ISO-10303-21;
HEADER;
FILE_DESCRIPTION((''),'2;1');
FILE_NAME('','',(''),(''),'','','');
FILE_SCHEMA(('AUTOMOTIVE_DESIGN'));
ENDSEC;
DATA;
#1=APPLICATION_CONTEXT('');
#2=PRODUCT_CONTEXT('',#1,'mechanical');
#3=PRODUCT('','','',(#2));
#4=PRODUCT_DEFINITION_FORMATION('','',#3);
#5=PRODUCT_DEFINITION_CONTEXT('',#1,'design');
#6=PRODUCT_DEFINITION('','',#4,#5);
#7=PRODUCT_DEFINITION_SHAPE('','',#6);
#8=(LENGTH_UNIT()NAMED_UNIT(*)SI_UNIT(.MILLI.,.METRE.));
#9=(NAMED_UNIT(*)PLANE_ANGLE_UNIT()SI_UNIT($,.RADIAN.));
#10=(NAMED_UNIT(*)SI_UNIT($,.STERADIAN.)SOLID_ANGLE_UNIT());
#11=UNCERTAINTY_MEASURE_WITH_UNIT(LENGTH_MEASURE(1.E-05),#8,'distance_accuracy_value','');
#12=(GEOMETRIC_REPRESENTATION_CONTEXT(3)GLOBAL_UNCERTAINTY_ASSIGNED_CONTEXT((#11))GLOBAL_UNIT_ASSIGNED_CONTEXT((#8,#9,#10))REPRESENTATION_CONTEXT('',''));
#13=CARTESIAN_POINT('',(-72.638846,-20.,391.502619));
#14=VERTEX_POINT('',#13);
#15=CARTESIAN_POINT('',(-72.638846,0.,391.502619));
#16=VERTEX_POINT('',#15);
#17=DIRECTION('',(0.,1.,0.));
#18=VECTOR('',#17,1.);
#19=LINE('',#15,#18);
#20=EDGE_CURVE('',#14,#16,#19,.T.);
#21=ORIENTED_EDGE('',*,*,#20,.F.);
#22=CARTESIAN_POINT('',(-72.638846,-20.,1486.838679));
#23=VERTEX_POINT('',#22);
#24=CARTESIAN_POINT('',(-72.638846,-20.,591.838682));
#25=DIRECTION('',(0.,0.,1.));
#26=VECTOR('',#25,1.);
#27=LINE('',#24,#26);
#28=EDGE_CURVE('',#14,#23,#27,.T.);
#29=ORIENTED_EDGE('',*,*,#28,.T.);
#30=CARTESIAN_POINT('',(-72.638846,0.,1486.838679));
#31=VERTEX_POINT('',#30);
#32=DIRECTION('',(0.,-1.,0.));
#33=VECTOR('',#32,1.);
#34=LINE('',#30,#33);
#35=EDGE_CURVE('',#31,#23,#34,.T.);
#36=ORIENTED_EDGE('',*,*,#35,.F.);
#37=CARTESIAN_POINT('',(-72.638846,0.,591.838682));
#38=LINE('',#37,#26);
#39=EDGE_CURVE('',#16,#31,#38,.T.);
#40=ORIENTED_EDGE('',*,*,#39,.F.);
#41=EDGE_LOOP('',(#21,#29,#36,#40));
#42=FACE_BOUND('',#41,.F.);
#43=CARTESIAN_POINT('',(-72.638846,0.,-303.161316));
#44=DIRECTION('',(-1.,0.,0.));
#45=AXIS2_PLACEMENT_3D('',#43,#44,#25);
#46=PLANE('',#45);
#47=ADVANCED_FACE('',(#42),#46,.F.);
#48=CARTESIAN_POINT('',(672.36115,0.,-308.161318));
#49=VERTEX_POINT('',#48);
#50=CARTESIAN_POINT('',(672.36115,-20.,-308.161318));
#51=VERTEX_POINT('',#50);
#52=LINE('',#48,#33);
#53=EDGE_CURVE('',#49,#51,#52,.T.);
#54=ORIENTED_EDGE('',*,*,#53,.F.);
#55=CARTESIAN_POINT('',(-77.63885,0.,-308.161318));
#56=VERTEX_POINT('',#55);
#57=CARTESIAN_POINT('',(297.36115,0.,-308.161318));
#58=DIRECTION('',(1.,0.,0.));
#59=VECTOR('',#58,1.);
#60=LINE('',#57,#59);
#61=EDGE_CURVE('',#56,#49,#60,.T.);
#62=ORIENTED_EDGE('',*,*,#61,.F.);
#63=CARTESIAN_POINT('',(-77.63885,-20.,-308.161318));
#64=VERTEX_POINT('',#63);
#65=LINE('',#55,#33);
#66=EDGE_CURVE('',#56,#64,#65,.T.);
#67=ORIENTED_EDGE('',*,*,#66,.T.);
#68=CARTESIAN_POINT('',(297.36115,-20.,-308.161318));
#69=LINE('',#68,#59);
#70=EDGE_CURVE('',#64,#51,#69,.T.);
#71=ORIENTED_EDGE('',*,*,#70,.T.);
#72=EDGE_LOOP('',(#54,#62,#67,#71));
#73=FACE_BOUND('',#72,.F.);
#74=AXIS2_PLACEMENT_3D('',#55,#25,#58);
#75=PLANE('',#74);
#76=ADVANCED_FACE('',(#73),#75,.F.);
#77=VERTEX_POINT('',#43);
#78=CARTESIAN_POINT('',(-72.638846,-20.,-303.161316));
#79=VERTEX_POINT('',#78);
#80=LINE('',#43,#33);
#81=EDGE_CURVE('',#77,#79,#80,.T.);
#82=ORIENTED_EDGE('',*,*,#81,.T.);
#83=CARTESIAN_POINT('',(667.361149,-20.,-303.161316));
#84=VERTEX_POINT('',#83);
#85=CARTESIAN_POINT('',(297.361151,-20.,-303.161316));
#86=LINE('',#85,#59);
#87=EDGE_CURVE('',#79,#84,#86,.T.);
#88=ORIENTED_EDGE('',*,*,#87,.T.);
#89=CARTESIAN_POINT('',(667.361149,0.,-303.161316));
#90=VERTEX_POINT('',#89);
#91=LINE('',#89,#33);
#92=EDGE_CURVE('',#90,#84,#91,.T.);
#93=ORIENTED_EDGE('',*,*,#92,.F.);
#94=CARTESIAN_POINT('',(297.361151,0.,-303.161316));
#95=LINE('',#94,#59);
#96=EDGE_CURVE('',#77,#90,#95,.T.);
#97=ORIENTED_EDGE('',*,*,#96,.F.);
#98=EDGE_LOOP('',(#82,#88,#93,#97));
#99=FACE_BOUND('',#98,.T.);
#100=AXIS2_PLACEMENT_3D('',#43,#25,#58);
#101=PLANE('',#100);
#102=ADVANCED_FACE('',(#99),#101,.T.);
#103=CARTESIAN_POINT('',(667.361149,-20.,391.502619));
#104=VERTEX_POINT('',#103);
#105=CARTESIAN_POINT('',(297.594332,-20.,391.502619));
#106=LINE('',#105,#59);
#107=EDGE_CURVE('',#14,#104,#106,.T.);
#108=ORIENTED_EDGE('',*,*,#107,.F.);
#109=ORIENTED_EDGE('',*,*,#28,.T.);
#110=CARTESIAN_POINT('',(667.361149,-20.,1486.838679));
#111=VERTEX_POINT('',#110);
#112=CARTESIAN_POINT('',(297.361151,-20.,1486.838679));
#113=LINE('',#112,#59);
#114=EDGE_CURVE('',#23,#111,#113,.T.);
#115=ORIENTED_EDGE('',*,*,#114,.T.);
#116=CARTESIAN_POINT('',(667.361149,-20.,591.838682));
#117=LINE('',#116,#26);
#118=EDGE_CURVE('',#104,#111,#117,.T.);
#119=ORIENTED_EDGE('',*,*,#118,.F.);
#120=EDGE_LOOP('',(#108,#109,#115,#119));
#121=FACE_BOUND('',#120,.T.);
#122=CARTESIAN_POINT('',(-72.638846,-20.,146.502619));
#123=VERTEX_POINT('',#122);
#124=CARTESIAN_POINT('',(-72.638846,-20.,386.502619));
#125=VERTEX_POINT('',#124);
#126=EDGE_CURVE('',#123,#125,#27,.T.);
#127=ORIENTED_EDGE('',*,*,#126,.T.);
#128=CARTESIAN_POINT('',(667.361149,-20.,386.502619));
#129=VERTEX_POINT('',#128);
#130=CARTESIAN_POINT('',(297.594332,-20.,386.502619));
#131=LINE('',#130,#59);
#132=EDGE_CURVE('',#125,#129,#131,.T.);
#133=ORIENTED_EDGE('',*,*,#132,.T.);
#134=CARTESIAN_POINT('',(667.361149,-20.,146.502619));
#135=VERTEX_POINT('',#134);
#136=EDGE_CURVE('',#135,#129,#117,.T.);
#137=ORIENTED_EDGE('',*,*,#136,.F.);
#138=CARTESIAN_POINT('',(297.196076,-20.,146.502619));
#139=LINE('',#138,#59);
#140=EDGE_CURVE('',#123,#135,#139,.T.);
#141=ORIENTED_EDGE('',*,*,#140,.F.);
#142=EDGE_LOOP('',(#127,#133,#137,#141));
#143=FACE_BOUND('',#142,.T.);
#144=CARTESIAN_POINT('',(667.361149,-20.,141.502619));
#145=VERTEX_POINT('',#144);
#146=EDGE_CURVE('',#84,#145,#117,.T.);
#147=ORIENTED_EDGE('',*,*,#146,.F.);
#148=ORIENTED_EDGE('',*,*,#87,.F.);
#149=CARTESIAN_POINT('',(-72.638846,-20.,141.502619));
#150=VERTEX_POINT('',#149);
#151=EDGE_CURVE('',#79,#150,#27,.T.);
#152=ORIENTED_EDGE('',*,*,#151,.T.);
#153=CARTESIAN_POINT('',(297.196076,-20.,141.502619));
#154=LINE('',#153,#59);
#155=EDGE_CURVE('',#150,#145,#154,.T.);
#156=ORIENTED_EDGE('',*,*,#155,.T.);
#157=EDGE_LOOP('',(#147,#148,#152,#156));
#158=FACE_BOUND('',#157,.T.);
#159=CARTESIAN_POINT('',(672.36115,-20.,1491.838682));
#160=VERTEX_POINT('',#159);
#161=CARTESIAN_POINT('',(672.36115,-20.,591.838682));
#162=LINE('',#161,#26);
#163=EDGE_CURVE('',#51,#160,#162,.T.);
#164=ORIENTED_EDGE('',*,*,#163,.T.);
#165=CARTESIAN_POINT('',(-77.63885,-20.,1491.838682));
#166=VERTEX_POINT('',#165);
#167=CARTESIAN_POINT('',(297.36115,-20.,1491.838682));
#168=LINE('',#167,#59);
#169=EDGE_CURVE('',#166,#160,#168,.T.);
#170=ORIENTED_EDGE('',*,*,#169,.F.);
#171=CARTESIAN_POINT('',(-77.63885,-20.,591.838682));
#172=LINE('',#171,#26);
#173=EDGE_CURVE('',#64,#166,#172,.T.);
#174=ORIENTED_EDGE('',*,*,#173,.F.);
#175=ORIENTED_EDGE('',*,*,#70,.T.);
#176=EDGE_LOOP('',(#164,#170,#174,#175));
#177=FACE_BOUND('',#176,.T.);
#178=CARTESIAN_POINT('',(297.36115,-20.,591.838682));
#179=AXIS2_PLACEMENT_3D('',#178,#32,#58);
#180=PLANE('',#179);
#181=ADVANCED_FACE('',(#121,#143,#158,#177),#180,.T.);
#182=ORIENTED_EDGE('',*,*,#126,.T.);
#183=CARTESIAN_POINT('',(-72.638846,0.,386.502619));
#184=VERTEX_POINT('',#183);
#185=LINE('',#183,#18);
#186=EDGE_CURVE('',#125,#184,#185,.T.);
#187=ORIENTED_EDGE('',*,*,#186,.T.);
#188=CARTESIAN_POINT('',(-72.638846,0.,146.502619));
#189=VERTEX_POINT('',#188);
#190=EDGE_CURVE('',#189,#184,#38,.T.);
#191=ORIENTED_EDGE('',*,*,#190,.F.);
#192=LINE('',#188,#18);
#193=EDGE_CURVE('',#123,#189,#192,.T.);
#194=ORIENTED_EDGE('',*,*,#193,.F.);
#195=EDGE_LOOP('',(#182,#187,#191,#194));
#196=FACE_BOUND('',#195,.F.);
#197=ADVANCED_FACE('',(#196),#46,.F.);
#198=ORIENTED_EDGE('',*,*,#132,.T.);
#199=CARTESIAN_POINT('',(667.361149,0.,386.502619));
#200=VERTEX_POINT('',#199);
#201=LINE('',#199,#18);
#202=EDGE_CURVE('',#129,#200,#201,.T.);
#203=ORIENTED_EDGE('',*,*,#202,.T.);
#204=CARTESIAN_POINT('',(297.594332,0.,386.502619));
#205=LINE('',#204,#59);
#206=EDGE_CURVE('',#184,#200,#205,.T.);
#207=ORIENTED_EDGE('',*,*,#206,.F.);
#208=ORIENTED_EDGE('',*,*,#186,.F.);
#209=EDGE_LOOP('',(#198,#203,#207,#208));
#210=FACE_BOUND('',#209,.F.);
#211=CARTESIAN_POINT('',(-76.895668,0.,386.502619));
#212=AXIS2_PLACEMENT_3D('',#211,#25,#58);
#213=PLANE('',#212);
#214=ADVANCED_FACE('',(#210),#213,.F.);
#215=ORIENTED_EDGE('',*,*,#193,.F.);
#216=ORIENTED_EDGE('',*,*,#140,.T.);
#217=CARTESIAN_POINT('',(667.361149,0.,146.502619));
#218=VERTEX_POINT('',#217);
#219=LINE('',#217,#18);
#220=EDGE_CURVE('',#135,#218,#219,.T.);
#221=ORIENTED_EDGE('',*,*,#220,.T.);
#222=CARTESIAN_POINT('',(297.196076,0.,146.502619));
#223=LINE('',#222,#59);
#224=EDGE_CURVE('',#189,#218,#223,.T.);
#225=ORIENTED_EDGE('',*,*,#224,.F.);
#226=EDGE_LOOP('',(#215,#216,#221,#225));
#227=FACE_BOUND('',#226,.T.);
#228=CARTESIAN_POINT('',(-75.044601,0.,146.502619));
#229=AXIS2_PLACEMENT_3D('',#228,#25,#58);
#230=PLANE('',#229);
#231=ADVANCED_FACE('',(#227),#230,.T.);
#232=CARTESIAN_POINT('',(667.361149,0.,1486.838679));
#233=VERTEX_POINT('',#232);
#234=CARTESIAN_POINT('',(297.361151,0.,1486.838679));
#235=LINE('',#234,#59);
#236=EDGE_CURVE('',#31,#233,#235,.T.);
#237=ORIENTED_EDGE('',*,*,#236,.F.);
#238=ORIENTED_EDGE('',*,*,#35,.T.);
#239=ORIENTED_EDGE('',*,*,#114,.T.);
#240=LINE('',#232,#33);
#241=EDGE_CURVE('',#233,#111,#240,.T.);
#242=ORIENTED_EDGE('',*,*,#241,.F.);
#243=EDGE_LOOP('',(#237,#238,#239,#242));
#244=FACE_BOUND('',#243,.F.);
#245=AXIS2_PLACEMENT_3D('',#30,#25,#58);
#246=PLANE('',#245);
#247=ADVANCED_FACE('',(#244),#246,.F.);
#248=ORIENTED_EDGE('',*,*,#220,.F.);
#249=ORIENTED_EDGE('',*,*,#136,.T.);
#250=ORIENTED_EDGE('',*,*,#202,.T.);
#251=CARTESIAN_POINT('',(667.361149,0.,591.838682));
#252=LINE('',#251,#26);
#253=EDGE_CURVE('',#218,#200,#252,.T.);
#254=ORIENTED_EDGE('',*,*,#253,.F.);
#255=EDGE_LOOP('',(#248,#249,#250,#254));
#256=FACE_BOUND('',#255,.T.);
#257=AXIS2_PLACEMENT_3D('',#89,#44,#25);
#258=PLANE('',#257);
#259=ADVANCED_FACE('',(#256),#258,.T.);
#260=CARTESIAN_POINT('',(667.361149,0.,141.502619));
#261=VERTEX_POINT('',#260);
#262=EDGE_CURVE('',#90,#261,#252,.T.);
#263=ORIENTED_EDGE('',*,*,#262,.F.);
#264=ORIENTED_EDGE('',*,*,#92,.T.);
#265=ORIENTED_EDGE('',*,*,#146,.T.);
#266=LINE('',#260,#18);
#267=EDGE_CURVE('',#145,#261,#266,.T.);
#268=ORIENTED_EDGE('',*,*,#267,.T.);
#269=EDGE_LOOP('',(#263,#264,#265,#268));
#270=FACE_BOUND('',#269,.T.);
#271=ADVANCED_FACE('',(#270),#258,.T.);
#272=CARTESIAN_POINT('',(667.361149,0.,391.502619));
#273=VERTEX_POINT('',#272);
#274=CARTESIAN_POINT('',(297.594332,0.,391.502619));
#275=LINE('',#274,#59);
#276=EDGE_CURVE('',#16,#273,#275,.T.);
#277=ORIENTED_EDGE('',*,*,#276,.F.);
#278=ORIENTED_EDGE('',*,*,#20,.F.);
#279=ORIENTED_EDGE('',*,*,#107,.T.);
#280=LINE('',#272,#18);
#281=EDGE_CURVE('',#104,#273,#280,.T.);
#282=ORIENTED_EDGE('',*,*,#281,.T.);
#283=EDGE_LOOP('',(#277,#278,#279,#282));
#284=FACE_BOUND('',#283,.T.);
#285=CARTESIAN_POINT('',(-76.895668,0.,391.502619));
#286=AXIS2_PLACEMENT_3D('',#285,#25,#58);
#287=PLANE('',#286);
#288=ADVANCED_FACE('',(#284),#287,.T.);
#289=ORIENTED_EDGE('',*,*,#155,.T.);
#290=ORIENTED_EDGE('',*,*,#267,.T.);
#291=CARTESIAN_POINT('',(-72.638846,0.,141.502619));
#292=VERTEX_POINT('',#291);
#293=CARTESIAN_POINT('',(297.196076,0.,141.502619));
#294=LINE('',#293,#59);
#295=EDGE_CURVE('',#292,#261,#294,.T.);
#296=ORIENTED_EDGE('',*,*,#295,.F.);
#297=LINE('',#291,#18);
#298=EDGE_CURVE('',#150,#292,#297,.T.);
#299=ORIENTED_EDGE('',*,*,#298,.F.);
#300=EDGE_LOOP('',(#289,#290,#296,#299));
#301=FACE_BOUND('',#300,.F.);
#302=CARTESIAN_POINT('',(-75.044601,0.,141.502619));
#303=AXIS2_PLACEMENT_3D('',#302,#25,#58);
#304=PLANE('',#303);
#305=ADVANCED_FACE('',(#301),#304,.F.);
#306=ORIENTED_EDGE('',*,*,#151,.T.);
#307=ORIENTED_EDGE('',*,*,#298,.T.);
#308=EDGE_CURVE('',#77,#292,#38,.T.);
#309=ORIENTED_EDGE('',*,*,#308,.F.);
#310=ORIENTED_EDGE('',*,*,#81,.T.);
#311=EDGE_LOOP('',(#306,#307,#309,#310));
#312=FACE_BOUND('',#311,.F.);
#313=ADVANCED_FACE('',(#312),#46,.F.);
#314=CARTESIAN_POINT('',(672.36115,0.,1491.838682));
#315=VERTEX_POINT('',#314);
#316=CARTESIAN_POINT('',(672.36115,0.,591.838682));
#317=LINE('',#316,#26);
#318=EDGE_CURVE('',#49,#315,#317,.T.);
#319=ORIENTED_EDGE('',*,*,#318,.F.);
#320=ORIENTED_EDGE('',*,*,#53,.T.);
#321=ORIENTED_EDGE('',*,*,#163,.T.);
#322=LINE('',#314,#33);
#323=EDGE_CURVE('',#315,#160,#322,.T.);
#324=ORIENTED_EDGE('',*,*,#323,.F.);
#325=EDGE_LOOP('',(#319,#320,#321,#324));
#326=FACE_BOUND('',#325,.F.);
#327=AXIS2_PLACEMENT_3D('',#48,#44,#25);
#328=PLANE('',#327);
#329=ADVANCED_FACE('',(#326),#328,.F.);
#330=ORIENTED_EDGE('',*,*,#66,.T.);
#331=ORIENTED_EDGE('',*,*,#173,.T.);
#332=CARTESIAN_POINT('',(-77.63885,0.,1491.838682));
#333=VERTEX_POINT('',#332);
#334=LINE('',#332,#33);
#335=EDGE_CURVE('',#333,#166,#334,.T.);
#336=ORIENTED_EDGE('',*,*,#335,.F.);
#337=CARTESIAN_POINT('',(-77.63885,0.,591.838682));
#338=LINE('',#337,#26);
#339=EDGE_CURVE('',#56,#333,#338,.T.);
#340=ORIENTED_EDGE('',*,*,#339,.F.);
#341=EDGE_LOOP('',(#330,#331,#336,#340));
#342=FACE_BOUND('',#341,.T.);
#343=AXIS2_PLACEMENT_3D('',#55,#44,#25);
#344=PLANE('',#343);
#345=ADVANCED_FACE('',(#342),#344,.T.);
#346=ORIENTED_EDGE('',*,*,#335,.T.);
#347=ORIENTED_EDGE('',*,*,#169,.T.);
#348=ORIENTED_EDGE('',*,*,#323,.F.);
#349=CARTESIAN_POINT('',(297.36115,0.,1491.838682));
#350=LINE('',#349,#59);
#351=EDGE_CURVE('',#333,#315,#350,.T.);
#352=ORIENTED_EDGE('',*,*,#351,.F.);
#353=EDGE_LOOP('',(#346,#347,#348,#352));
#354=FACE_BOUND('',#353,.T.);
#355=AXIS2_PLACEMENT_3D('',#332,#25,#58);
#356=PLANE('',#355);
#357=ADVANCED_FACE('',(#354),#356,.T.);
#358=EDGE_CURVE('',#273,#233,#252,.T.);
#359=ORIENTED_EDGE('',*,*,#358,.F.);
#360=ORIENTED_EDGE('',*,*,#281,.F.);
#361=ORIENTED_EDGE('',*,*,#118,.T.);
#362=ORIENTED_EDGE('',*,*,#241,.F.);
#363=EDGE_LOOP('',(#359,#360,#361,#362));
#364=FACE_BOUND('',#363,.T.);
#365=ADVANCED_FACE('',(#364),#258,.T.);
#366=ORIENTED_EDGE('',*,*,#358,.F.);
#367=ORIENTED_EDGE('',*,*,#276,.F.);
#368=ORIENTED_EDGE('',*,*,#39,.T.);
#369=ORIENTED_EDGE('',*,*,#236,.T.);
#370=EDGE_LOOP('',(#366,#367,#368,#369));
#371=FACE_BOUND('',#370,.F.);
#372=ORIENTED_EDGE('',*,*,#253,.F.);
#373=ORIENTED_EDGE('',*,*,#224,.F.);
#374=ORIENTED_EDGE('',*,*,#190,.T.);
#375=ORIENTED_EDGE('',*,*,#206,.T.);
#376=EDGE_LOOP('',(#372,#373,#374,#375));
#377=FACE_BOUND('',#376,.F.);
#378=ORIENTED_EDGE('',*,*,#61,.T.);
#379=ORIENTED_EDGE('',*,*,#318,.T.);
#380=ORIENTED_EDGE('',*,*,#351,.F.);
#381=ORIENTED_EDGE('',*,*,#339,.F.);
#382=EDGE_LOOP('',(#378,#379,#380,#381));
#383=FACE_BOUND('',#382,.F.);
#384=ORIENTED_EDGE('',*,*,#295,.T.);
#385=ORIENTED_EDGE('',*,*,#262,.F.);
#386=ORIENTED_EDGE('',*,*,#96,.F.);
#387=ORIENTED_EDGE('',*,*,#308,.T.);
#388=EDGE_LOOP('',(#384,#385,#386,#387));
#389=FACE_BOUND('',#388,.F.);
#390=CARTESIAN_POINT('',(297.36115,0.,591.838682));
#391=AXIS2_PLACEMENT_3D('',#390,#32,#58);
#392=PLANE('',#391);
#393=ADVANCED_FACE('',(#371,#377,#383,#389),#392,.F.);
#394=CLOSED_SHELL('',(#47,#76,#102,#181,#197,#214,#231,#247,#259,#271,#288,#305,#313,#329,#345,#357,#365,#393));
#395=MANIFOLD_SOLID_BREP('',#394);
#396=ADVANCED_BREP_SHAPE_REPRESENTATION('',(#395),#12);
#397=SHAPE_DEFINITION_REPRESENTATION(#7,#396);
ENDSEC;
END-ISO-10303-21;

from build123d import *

# Parameters (mm, degrees)
F0_W     = 750
F0_H     = 1800
F0_W_2   = 739.999995
F0_H_2   = 1789.999995
F1_DEPTH = 20
F2_W     = 748.980001
F2_H     = 5
F2_W_2   = 744.481355
F3_DEPTH = 20


with BuildPart() as f1:
    # F0 (on Front) → F1 (new body)
    with BuildSketch(Plane.XZ):
        with Locations((297.36115, 591.838682)):
            Rectangle(F0_W, F0_H)
        with Locations((297.361151, 591.838682)):
            Rectangle(F0_W_2, F0_H_2, mode=Mode.SUBTRACT)
    extrude(amount=F1_DEPTH)

    # F2 (on Front) → F3 (join)
    with BuildSketch(Plane.XZ):
        with Locations((297.594332, 389.002619)):
            Rectangle(F2_W, F2_H)
        with Locations((297.196076, 144.002619)):
            Rectangle(F2_W_2, F2_H)
    extrude(amount=F3_DEPTH)


solid = f1.part
